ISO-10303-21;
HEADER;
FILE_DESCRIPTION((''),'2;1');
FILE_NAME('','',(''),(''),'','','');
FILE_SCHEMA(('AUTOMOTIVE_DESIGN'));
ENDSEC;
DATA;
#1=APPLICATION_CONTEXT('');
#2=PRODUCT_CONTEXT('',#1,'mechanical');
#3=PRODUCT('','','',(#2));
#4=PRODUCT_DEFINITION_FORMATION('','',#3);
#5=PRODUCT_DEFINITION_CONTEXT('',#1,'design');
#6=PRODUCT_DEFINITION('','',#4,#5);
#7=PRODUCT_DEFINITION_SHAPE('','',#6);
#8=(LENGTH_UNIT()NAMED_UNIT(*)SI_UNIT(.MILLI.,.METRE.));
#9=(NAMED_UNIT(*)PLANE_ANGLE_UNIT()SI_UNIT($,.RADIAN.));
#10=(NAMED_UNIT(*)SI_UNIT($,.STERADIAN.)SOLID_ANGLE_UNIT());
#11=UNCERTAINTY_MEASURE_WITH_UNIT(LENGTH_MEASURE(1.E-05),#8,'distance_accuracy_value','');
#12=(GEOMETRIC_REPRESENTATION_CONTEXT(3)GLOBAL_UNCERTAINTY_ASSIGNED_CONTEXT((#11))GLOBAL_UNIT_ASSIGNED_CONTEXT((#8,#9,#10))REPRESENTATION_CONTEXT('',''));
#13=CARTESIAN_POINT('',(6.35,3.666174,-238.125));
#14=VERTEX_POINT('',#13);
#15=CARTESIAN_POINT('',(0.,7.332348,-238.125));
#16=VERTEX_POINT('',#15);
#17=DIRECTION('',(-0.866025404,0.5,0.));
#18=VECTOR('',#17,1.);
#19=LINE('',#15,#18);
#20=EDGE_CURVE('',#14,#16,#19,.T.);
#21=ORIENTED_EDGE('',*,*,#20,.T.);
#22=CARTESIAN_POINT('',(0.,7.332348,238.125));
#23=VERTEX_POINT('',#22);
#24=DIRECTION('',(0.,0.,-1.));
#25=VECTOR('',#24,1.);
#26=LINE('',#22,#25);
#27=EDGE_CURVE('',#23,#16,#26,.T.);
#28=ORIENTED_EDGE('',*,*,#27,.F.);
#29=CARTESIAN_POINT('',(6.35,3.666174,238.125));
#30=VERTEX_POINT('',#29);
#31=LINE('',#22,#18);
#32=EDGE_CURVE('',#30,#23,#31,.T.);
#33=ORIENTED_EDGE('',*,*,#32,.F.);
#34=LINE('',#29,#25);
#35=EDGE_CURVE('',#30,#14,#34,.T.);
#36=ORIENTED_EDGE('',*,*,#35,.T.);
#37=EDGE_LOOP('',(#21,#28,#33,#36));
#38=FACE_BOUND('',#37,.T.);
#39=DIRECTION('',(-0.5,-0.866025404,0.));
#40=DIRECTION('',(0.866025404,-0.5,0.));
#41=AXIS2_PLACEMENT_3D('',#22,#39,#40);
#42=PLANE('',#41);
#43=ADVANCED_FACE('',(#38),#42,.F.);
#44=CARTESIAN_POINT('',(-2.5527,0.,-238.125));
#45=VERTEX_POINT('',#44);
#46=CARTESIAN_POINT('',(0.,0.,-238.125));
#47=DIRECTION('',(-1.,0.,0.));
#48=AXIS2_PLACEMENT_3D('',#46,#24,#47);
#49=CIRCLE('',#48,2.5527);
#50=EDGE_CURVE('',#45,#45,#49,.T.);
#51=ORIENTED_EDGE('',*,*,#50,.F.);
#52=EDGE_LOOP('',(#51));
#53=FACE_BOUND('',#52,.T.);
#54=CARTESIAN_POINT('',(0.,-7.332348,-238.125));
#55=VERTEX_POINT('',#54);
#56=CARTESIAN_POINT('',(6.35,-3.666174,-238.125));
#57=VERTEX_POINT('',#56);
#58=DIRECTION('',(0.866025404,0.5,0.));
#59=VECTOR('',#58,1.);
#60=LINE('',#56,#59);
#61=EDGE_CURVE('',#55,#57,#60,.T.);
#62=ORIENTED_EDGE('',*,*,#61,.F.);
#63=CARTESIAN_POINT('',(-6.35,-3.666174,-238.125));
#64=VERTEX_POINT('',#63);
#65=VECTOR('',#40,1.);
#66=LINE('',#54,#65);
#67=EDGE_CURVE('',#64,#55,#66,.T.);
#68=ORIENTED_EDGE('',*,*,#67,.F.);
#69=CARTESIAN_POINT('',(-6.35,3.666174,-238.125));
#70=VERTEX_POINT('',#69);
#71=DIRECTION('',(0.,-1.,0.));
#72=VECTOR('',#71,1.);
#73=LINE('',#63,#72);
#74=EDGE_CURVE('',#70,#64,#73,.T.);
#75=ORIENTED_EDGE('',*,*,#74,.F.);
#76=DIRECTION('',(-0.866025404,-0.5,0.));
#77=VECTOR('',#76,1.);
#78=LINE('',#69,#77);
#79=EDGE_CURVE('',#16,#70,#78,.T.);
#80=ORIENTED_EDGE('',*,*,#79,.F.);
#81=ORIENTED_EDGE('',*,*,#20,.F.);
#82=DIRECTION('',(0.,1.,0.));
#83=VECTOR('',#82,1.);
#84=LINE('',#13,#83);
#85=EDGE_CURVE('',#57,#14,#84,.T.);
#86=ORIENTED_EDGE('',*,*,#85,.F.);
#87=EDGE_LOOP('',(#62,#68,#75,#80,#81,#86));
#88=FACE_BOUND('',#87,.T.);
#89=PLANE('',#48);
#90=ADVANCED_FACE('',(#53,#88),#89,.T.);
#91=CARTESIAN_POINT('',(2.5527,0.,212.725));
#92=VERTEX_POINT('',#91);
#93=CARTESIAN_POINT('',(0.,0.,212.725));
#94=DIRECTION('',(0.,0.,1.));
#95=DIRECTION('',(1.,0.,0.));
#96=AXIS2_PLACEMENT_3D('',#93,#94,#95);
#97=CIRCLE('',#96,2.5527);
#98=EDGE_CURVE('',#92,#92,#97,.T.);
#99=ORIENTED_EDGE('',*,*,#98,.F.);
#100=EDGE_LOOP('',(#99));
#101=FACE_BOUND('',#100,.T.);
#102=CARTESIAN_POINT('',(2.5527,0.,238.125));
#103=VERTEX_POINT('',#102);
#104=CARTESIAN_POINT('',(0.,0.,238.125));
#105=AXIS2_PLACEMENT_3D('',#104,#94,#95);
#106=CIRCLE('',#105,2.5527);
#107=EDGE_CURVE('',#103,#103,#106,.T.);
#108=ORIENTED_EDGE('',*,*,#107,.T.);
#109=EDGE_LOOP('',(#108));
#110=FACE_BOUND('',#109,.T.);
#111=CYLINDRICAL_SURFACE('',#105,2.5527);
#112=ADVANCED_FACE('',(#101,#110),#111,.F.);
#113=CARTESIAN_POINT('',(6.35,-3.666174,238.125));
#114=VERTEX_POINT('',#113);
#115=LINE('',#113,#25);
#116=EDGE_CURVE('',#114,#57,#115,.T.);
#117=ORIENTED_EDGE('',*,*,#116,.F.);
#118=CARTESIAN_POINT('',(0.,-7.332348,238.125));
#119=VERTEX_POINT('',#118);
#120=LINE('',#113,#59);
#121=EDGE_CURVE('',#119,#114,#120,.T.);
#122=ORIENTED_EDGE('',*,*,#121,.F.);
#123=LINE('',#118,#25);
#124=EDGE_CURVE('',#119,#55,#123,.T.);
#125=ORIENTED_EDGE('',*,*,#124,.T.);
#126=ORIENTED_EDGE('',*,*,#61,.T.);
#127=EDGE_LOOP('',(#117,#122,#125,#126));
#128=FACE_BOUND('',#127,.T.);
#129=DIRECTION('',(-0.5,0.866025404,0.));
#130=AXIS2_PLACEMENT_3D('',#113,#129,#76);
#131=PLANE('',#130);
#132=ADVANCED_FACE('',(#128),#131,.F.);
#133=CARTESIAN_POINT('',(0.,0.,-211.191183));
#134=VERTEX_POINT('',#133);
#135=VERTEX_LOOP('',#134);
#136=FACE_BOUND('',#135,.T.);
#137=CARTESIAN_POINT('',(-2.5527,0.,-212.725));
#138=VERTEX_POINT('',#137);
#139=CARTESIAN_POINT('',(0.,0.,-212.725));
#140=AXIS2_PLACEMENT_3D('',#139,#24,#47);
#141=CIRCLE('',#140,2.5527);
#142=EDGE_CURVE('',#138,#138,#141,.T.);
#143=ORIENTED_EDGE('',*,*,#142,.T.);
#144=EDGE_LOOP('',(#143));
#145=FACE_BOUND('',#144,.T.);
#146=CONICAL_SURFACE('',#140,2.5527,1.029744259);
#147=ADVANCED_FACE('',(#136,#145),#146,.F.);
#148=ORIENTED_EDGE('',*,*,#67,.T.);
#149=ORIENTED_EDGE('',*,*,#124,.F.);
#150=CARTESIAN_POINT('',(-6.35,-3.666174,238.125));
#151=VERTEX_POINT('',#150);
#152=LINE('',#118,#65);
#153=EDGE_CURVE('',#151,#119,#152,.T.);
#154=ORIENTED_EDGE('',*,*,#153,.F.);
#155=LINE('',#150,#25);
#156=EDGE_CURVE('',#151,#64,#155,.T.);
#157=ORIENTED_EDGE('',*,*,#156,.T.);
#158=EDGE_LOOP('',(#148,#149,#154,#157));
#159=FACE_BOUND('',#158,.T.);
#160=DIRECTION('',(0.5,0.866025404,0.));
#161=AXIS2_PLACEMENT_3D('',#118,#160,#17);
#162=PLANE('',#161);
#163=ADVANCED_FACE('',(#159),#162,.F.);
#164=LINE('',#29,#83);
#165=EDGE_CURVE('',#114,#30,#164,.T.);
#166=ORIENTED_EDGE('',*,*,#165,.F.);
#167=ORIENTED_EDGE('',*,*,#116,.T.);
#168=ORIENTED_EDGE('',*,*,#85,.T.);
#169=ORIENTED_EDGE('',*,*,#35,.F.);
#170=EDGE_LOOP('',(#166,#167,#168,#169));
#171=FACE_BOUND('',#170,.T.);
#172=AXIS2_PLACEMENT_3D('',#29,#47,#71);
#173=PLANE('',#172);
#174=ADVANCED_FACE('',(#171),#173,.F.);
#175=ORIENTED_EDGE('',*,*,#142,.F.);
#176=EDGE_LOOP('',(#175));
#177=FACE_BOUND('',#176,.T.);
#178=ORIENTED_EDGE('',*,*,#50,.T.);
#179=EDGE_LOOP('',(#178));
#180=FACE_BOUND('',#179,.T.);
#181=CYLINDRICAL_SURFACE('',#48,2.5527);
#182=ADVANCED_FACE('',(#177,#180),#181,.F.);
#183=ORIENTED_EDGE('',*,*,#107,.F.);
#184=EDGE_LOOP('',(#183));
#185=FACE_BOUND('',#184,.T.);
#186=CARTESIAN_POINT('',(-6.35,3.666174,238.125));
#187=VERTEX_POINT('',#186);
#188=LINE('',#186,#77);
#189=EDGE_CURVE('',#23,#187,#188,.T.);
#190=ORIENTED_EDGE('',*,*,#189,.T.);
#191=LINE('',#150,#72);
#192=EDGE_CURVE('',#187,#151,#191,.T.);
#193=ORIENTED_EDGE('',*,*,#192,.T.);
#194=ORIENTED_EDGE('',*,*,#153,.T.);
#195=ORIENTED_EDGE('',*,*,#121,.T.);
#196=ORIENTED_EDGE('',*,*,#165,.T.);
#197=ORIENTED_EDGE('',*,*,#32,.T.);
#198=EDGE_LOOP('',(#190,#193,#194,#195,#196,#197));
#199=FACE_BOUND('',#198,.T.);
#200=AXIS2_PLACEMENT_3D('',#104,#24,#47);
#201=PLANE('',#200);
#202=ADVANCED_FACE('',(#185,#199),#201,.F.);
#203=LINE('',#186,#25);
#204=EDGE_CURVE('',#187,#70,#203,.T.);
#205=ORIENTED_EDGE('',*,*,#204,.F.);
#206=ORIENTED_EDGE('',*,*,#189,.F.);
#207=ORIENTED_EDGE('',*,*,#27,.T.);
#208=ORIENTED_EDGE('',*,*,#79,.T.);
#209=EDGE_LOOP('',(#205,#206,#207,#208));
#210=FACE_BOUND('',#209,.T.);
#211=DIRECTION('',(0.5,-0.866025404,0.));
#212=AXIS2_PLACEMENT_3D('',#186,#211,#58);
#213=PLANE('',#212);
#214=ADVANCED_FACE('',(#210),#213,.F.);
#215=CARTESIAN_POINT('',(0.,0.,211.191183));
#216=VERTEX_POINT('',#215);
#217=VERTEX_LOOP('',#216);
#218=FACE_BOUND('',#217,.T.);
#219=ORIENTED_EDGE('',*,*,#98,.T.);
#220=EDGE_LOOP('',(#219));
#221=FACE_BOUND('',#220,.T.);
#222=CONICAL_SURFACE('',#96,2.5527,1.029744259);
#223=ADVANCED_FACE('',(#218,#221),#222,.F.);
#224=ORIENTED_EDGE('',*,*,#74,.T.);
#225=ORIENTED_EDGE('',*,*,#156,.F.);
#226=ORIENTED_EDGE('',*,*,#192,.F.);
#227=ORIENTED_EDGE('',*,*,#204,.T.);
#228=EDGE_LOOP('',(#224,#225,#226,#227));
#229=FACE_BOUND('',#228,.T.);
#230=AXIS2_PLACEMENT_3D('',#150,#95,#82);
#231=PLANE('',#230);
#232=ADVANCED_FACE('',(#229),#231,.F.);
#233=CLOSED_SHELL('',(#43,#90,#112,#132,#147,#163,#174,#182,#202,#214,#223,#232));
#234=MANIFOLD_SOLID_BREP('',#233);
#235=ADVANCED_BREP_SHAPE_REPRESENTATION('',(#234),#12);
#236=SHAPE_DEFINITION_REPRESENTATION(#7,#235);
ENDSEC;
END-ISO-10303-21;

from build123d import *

# Parameters (mm, degrees)
BOSS_EXTRUDE1_DEPTH             = 238.125
TAP_DRILL_FOR_1_4_20_TAP1_D     = 5.1054
TAP_DRILL_FOR_1_4_20_TAP1_DEPTH = 25.4
TAP_DRILL_FOR_1_4_20_TAP1_TIP   = 1.533816902
TAP_DRILL_FOR_1_4_20_TAP2_D     = 5.1054
TAP_DRILL_FOR_1_4_20_TAP2_DEPTH = 25.4
TAP_DRILL_FOR_1_4_20_TAP2_TIP   = 1.533816902


with BuildPart() as part:
    # Sketch3 → Boss-Extrude1 (new, symmetric)
    with BuildSketch(Plane.XY):
        Polygon((0, 7.332348419), (6.35, 3.666174209), (6.35, -3.666174209), (0, -7.332348419), (-6.35, -3.666174209), (-6.35, 3.666174209), align=None)
    extrude(amount=BOSS_EXTRUDE1_DEPTH, both=True)

    # Tap Drill for 1/4-20 Tap1
    with Locations(Plane.XY.offset(238.125)):
        with Locations((0, 0)):
            Hole(TAP_DRILL_FOR_1_4_20_TAP1_D / 2, depth=TAP_DRILL_FOR_1_4_20_TAP1_DEPTH)
            with Locations((0, 0, -(TAP_DRILL_FOR_1_4_20_TAP1_DEPTH + TAP_DRILL_FOR_1_4_20_TAP1_TIP / 2))):  # 118° drill point
                Cone(0, TAP_DRILL_FOR_1_4_20_TAP1_D / 2, TAP_DRILL_FOR_1_4_20_TAP1_TIP, mode=Mode.SUBTRACT)

    # Tap Drill for 1/4-20 Tap2
    with Locations(Plane(origin=(0, 0, -238.125), x_dir=(-1, 0, 0), z_dir=(0, 0, -1))):
        with Locations((0, 0)):
            Hole(TAP_DRILL_FOR_1_4_20_TAP2_D / 2, depth=TAP_DRILL_FOR_1_4_20_TAP2_DEPTH)
            with Locations((0, 0, -(TAP_DRILL_FOR_1_4_20_TAP2_DEPTH + TAP_DRILL_FOR_1_4_20_TAP2_TIP / 2))):  # 118° drill point
                Cone(0, TAP_DRILL_FOR_1_4_20_TAP2_D / 2, TAP_DRILL_FOR_1_4_20_TAP2_TIP, mode=Mode.SUBTRACT)


solid = part.part
